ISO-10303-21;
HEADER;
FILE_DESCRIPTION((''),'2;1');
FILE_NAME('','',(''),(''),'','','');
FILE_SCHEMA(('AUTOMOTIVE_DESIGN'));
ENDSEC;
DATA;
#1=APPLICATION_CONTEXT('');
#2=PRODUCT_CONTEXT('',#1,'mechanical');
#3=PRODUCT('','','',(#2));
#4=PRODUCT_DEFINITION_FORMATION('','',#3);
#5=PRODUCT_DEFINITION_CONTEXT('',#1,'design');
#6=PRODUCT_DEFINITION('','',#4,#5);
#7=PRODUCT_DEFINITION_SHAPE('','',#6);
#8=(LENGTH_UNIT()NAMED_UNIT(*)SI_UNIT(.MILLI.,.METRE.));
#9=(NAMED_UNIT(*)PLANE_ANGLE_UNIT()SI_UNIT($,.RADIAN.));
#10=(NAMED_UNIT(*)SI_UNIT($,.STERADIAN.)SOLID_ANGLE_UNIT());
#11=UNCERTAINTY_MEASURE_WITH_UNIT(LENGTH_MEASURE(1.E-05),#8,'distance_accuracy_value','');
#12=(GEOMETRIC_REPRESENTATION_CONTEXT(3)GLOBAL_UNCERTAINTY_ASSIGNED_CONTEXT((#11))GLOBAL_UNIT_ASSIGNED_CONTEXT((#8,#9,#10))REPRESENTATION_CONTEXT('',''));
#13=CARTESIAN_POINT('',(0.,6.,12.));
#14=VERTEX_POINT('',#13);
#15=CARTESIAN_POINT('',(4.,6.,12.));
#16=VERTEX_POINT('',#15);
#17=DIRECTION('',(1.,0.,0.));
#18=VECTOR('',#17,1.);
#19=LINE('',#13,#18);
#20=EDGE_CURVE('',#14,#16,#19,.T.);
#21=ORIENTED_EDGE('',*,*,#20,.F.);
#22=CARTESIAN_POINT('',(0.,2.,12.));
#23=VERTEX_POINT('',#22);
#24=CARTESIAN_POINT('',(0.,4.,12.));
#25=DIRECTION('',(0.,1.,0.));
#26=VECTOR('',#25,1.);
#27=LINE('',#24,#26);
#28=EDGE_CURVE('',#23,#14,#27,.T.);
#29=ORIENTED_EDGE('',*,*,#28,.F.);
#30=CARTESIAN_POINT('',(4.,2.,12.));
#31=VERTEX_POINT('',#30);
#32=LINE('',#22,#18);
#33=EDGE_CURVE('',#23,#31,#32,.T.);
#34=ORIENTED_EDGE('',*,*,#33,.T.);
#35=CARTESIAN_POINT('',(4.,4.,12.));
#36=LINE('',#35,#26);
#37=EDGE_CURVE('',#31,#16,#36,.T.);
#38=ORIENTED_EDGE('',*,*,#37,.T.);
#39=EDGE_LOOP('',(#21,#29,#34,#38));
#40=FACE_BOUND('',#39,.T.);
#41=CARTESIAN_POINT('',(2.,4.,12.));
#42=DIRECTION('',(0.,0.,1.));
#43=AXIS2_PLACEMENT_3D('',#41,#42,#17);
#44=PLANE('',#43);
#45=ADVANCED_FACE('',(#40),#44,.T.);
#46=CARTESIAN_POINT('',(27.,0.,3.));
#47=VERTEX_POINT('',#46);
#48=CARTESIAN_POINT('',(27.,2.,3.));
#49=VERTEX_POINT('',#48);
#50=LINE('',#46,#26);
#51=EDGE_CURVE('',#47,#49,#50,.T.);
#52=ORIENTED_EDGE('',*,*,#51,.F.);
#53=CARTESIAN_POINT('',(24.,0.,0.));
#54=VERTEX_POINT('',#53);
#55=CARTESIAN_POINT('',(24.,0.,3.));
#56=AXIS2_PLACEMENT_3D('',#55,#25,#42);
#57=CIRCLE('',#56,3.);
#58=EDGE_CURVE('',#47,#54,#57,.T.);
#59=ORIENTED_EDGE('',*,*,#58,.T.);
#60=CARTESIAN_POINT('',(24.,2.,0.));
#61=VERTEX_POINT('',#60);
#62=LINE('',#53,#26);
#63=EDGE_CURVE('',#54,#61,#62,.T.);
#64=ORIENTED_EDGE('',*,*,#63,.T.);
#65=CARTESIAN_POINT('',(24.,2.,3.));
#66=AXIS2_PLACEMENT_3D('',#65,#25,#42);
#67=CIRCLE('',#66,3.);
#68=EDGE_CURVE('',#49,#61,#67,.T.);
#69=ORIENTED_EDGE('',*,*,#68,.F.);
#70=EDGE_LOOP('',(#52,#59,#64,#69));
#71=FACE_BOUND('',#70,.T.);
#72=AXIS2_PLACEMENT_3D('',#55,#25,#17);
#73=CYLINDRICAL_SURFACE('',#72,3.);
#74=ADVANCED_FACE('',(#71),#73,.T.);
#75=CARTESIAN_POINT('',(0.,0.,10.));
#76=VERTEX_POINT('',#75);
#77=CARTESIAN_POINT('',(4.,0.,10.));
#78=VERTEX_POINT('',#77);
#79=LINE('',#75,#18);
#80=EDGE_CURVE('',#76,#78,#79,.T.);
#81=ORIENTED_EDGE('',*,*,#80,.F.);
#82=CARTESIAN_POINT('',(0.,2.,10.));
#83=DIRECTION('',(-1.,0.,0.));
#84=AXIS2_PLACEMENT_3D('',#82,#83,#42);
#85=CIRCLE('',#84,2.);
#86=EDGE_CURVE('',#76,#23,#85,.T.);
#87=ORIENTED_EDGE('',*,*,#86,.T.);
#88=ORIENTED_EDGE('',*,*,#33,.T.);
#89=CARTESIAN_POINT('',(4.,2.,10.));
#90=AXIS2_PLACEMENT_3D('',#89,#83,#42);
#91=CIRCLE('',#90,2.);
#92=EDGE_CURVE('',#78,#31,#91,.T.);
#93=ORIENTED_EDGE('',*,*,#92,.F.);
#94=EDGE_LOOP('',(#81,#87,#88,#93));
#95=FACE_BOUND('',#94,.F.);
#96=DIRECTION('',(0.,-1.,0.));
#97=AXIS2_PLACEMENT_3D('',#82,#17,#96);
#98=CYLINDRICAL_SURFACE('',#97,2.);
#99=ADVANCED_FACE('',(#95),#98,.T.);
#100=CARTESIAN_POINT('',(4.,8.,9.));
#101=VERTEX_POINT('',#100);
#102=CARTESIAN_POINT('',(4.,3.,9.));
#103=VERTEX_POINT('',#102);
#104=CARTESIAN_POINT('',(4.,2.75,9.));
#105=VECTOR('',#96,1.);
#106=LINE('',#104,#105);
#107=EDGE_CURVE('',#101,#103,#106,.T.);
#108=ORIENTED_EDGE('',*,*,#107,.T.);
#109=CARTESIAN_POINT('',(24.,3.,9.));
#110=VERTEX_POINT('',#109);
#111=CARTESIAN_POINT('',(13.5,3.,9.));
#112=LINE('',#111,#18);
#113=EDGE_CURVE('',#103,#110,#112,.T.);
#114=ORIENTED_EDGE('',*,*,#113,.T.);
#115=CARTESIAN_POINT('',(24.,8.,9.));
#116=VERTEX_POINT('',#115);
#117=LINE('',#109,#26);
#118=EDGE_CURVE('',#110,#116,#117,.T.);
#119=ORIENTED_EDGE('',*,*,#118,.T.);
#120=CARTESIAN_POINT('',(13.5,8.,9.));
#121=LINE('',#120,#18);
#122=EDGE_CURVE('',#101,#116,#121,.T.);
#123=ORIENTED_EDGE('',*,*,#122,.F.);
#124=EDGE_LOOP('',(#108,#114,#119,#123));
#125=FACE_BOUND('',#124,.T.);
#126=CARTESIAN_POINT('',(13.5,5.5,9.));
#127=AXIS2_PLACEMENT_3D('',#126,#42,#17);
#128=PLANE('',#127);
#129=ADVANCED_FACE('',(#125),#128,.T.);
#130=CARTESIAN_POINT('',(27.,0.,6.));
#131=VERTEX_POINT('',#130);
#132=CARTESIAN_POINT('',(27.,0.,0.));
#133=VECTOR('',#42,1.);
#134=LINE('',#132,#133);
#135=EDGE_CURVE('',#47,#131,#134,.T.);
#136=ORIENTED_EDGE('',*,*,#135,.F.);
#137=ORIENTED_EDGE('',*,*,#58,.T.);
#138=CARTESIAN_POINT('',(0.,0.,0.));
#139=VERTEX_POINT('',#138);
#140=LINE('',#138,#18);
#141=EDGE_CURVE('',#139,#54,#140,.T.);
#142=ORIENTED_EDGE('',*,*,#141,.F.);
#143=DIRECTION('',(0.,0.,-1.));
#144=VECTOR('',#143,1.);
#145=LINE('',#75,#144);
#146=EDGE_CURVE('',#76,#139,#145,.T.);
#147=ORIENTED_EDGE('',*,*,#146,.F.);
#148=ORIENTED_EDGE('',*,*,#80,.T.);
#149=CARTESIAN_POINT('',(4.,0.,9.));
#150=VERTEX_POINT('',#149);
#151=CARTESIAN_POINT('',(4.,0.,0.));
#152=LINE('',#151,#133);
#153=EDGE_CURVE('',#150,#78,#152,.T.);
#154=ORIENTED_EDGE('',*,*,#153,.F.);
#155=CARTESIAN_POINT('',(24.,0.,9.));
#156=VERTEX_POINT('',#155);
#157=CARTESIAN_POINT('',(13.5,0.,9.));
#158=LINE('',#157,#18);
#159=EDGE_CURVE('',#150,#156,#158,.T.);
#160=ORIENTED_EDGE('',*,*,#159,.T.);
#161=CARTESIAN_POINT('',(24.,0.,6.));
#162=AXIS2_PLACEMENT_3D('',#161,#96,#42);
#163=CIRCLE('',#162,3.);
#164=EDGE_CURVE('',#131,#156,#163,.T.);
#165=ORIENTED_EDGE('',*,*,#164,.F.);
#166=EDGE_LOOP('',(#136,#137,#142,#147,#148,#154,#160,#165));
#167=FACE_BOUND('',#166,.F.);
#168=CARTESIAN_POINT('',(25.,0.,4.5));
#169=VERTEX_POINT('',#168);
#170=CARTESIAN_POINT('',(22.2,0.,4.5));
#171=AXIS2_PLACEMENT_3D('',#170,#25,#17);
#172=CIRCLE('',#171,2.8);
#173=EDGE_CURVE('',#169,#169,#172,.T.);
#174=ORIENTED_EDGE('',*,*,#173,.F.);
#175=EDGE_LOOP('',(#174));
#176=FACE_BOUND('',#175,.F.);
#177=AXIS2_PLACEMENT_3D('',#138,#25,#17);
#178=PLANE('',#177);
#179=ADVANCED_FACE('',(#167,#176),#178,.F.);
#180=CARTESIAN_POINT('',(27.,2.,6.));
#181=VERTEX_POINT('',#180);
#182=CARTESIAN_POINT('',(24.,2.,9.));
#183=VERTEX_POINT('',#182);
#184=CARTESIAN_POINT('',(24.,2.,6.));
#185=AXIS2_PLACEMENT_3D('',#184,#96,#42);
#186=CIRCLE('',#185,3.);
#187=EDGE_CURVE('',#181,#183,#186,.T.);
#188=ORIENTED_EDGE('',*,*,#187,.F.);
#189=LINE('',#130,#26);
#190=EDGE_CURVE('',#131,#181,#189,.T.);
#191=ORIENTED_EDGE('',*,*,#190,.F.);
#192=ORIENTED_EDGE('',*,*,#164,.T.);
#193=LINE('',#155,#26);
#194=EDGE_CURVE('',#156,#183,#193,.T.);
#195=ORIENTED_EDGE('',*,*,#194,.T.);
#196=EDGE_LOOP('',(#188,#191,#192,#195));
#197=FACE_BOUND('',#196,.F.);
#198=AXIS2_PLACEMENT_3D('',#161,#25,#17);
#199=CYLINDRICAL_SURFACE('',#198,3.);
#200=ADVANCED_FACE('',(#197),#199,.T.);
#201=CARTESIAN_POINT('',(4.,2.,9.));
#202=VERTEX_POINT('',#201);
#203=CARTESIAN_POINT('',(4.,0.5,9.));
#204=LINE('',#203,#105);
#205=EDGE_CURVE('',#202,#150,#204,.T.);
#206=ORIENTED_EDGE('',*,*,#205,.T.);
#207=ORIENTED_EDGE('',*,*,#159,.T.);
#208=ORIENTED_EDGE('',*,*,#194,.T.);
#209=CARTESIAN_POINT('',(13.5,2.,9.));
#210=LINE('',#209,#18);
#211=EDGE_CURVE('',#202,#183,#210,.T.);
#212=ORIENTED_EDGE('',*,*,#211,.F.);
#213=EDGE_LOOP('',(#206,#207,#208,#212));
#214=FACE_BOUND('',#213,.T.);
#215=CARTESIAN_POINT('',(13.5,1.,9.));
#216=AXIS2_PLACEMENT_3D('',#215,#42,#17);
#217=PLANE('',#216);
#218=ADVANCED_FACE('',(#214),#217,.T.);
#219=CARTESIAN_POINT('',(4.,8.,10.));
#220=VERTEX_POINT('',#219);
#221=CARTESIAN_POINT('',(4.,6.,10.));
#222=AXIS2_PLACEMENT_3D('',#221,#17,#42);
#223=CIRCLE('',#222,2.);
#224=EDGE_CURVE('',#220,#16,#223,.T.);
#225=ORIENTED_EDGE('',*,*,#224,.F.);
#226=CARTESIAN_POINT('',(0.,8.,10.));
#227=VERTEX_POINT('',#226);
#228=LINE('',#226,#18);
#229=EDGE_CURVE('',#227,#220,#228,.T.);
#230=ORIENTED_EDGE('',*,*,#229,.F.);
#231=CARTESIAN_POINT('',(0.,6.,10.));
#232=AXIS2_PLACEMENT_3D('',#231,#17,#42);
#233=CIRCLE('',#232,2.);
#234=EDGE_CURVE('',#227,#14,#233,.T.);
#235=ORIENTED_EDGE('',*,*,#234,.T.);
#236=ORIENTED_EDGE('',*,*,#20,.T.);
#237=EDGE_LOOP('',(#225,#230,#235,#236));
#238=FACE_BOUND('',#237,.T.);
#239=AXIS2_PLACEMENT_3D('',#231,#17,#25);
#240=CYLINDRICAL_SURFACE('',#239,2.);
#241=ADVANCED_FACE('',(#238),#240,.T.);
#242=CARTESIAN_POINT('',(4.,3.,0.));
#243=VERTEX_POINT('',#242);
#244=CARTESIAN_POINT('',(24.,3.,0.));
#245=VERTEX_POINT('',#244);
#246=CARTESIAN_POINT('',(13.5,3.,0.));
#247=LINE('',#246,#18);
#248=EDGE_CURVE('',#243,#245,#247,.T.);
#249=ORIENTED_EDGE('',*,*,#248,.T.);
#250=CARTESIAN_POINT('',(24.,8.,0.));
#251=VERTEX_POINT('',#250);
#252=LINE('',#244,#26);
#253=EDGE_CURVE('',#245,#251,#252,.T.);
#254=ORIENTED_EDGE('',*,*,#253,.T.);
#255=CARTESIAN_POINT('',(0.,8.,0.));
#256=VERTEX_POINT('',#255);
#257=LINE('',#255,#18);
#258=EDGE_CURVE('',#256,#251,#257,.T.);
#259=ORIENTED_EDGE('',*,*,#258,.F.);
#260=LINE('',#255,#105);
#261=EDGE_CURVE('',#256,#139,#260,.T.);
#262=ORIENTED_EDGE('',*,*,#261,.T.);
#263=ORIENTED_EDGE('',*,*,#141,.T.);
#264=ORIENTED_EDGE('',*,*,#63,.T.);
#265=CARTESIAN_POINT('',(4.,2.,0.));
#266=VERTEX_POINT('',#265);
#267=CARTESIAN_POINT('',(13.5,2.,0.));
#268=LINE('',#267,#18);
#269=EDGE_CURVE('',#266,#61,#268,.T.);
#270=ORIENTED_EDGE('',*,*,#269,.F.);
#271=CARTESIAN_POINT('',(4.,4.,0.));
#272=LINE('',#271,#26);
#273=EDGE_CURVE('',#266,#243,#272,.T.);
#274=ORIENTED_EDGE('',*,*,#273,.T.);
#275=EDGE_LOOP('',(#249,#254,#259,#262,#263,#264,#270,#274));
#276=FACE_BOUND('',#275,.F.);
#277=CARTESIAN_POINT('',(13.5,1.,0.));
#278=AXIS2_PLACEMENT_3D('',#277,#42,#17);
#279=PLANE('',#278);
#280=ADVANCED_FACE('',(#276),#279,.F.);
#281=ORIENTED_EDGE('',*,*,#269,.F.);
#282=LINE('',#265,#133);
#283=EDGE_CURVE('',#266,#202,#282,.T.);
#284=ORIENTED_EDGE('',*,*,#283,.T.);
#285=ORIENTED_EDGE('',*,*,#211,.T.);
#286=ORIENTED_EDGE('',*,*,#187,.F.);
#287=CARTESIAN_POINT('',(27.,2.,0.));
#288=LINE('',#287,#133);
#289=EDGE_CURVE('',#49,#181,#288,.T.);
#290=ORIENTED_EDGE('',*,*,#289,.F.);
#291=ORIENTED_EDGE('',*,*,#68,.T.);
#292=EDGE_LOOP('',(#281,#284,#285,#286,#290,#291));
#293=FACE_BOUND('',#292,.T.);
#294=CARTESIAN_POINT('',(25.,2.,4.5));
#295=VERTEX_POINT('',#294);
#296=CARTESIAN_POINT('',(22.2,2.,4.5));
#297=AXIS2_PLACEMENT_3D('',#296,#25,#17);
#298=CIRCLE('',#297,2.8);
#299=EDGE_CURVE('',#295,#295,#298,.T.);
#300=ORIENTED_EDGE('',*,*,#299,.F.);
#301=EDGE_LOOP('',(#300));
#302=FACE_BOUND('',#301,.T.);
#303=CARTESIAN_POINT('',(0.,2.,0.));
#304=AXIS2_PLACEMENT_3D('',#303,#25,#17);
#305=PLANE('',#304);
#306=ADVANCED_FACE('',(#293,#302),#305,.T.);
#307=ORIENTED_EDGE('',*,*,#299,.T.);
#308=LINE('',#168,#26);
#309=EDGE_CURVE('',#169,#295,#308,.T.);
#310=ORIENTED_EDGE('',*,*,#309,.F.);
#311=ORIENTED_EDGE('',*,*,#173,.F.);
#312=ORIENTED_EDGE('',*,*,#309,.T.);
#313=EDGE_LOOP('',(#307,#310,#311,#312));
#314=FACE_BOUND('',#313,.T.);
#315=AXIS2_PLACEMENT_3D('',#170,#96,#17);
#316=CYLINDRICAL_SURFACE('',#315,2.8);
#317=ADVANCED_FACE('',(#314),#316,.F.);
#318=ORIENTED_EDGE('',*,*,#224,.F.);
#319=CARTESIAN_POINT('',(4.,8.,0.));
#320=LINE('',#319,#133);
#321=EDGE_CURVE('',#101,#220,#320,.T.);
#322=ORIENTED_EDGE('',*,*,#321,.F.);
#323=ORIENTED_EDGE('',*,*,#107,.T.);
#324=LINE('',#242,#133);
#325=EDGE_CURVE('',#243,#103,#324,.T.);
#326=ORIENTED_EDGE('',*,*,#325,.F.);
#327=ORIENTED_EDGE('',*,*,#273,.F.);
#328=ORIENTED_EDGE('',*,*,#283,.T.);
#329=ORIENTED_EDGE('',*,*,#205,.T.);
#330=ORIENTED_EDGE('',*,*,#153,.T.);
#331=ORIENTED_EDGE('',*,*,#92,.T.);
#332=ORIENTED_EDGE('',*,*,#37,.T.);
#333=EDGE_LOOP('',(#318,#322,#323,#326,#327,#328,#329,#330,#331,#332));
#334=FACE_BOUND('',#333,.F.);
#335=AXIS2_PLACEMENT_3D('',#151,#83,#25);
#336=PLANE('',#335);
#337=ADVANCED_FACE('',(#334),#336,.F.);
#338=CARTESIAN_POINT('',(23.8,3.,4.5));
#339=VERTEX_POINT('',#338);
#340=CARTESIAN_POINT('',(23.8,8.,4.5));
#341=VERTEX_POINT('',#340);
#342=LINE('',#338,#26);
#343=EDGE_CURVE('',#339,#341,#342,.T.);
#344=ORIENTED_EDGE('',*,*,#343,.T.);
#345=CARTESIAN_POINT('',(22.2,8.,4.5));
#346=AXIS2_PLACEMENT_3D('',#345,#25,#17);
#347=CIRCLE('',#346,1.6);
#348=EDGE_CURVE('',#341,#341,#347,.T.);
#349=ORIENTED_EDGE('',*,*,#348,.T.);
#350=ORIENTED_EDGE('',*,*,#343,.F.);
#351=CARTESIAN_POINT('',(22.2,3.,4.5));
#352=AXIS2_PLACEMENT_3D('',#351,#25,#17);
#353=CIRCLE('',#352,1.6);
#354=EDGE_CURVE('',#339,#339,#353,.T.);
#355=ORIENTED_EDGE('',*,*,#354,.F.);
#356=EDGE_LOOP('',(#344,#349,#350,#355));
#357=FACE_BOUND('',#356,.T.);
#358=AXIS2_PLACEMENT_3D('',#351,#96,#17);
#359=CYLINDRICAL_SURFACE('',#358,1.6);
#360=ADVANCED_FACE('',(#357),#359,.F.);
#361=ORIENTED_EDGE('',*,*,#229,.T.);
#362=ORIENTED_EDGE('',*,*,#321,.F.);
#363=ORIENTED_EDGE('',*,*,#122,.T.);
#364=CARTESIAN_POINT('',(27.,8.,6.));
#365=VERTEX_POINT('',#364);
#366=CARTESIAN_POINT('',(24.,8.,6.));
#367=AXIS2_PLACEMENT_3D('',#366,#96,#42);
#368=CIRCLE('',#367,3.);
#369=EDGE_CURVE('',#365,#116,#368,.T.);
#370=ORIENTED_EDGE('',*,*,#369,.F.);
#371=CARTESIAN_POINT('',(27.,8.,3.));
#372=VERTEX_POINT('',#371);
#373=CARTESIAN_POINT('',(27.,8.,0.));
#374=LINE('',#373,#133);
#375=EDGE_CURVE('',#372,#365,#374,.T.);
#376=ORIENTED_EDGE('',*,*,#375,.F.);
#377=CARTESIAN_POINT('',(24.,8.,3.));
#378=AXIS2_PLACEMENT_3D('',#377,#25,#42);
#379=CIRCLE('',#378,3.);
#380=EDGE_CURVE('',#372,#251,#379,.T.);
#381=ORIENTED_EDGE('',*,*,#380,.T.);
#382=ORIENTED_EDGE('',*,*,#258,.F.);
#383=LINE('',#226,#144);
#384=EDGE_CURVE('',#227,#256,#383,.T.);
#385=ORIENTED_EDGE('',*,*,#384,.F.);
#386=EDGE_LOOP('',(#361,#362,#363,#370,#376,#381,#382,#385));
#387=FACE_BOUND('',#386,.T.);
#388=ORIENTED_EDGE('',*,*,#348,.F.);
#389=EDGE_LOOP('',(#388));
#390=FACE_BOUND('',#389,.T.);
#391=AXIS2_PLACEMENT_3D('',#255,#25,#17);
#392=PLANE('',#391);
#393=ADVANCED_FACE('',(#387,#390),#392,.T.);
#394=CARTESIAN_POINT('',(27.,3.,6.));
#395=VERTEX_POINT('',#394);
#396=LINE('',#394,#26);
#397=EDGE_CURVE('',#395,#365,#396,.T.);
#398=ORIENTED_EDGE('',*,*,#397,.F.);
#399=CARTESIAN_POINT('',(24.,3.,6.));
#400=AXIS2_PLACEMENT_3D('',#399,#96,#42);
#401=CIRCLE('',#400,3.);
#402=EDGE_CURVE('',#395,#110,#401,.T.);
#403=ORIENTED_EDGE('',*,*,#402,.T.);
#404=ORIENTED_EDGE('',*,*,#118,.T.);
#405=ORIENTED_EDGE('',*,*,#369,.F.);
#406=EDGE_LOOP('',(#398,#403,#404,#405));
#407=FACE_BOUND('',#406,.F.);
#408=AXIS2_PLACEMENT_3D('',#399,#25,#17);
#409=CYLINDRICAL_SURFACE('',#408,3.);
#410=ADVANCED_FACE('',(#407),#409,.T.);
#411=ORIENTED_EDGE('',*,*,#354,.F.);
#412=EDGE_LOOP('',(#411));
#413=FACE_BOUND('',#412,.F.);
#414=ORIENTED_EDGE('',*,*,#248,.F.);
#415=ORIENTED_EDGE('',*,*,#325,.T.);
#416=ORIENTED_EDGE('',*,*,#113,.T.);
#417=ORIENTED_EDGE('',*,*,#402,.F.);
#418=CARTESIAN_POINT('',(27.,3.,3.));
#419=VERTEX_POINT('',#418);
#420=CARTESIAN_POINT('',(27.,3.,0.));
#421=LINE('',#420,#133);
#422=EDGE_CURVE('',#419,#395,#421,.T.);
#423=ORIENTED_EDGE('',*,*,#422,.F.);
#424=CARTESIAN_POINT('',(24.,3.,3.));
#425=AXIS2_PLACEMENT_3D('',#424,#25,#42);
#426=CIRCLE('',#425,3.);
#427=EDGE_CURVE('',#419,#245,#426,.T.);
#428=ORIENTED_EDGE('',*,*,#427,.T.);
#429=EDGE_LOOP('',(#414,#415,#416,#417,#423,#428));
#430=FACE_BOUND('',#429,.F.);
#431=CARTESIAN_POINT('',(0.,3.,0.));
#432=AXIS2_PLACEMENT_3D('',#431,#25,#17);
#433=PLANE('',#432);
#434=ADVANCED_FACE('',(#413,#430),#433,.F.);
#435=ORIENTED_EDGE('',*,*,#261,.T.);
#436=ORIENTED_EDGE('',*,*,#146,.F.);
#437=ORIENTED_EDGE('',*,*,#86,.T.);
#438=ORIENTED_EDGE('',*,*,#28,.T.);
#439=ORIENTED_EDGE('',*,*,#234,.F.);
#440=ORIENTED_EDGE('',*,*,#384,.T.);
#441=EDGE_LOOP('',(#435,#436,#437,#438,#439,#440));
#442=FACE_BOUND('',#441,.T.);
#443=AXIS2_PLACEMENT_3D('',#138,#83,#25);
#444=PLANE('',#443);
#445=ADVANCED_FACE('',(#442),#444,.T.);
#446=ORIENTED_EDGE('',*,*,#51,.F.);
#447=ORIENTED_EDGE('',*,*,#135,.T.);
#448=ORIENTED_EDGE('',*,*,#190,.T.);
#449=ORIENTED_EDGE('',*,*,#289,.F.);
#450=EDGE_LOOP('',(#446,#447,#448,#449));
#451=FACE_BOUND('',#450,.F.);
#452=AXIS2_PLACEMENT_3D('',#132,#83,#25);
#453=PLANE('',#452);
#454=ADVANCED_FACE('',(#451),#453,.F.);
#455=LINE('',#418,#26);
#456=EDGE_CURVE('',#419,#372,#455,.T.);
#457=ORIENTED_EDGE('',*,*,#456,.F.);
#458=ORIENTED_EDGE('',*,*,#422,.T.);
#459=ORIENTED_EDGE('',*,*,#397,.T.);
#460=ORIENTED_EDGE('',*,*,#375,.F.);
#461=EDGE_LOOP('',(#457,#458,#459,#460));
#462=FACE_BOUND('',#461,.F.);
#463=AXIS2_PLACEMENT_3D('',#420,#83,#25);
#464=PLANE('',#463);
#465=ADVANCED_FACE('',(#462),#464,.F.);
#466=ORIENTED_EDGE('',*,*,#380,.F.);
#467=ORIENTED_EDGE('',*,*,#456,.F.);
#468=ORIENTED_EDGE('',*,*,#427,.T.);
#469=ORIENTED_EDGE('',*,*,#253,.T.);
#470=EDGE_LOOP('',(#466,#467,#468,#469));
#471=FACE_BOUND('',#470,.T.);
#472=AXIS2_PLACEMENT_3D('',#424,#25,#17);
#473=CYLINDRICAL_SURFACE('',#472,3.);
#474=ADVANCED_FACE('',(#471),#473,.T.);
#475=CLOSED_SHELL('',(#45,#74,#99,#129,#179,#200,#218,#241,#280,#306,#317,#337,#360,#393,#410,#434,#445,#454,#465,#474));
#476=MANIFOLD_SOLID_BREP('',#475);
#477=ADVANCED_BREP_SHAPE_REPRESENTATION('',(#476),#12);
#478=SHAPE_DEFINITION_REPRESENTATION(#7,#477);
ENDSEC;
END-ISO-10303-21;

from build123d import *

# Parameters (mm, degrees)
CYLINDER001_R     = 1.6
CYLINDER001_DEPTH = 5
BOX001_W          = 27
BOX001_H          = 5
BOX001_DEPTH      = 9
FILLET_R          = 3
BOX002_W          = 4
BOX002_H          = 8
BOX002_DEPTH      = 12
FILLET002_R       = 2
CYLINDER_R        = 2.8
CYLINDER_DEPTH    = 2
BOX_W             = 27
BOX_H             = 2
BOX_DEPTH         = 9
FILLET001_R       = 3


with BuildPart() as screw_hole:
    # Cylinder001 → Cylinder001 (new body)
    with BuildSketch(Plane(origin=(22.2, 3, 4.5), x_dir=(1, 0, 0), z_dir=(0, 1, 0))):
        Circle(CYLINDER001_R)
    extrude(amount=CYLINDER001_DEPTH)


with BuildPart() as back_cut:
    # Box001 → Box001 (new body)
    with BuildSketch(Plane(origin=(0, 3, 0), x_dir=(1, 0, 0), z_dir=(0, 0, 1))):
        with Locations((13.5, 2.5)):
            Rectangle(BOX001_W, BOX001_H)
    extrude(amount=BOX001_DEPTH)

    # Fillet
    fillet_edges = [back_cut.edges().sort_by_distance(p)[0] for p in [
        (27, 5.5, 9),
        (27, 5.5, 0),
    ]]
    fillet(fillet_edges, radius=FILLET_R)

    # Cut001: cut screw hole
    add(screw_hole.part, mode=Mode.SUBTRACT)


with BuildPart() as glue_cube_fillet:
    # Box002 → Box002 (new body)
    with BuildSketch(Plane.XY):
        with Locations((2, 4)):
            Rectangle(BOX002_W, BOX002_H)
    extrude(amount=BOX002_DEPTH)

    # Fillet002
    fillet002_edges = [glue_cube_fillet.edges().sort_by_distance(p)[0] for p in [
        (2, 0, 12),
        (2, 8, 12),
    ]]
    fillet(fillet002_edges, radius=FILLET002_R)


with BuildPart() as pass_hole:
    # Cylinder → Cylinder (new body)
    with BuildSketch(Plane(origin=(22.2, 0, 4.5), x_dir=(1, 0, 0), z_dir=(0, 1, 0))):
        Circle(CYLINDER_R)
    extrude(amount=CYLINDER_DEPTH)


with BuildPart() as power_socket_screw_connector:
    # Box → Box (new body)
    with BuildSketch(Plane.XY):
        with Locations((13.5, 1)):
            Rectangle(BOX_W, BOX_H)
    extrude(amount=BOX_DEPTH)

    # Fillet001
    fillet001_edges = [power_socket_screw_connector.edges().sort_by_distance(p)[0] for p in [
        (27, 1, 9),
        (27, 1, 0),
    ]]
    fillet(fillet001_edges, radius=FILLET001_R)

    # Cut: cut pass hole
    add(pass_hole.part, mode=Mode.SUBTRACT)

    # Fusion: union back cut, glue cube fillet
    add(back_cut.part)
    add(glue_cube_fillet.part)


solid = power_socket_screw_connector.part
